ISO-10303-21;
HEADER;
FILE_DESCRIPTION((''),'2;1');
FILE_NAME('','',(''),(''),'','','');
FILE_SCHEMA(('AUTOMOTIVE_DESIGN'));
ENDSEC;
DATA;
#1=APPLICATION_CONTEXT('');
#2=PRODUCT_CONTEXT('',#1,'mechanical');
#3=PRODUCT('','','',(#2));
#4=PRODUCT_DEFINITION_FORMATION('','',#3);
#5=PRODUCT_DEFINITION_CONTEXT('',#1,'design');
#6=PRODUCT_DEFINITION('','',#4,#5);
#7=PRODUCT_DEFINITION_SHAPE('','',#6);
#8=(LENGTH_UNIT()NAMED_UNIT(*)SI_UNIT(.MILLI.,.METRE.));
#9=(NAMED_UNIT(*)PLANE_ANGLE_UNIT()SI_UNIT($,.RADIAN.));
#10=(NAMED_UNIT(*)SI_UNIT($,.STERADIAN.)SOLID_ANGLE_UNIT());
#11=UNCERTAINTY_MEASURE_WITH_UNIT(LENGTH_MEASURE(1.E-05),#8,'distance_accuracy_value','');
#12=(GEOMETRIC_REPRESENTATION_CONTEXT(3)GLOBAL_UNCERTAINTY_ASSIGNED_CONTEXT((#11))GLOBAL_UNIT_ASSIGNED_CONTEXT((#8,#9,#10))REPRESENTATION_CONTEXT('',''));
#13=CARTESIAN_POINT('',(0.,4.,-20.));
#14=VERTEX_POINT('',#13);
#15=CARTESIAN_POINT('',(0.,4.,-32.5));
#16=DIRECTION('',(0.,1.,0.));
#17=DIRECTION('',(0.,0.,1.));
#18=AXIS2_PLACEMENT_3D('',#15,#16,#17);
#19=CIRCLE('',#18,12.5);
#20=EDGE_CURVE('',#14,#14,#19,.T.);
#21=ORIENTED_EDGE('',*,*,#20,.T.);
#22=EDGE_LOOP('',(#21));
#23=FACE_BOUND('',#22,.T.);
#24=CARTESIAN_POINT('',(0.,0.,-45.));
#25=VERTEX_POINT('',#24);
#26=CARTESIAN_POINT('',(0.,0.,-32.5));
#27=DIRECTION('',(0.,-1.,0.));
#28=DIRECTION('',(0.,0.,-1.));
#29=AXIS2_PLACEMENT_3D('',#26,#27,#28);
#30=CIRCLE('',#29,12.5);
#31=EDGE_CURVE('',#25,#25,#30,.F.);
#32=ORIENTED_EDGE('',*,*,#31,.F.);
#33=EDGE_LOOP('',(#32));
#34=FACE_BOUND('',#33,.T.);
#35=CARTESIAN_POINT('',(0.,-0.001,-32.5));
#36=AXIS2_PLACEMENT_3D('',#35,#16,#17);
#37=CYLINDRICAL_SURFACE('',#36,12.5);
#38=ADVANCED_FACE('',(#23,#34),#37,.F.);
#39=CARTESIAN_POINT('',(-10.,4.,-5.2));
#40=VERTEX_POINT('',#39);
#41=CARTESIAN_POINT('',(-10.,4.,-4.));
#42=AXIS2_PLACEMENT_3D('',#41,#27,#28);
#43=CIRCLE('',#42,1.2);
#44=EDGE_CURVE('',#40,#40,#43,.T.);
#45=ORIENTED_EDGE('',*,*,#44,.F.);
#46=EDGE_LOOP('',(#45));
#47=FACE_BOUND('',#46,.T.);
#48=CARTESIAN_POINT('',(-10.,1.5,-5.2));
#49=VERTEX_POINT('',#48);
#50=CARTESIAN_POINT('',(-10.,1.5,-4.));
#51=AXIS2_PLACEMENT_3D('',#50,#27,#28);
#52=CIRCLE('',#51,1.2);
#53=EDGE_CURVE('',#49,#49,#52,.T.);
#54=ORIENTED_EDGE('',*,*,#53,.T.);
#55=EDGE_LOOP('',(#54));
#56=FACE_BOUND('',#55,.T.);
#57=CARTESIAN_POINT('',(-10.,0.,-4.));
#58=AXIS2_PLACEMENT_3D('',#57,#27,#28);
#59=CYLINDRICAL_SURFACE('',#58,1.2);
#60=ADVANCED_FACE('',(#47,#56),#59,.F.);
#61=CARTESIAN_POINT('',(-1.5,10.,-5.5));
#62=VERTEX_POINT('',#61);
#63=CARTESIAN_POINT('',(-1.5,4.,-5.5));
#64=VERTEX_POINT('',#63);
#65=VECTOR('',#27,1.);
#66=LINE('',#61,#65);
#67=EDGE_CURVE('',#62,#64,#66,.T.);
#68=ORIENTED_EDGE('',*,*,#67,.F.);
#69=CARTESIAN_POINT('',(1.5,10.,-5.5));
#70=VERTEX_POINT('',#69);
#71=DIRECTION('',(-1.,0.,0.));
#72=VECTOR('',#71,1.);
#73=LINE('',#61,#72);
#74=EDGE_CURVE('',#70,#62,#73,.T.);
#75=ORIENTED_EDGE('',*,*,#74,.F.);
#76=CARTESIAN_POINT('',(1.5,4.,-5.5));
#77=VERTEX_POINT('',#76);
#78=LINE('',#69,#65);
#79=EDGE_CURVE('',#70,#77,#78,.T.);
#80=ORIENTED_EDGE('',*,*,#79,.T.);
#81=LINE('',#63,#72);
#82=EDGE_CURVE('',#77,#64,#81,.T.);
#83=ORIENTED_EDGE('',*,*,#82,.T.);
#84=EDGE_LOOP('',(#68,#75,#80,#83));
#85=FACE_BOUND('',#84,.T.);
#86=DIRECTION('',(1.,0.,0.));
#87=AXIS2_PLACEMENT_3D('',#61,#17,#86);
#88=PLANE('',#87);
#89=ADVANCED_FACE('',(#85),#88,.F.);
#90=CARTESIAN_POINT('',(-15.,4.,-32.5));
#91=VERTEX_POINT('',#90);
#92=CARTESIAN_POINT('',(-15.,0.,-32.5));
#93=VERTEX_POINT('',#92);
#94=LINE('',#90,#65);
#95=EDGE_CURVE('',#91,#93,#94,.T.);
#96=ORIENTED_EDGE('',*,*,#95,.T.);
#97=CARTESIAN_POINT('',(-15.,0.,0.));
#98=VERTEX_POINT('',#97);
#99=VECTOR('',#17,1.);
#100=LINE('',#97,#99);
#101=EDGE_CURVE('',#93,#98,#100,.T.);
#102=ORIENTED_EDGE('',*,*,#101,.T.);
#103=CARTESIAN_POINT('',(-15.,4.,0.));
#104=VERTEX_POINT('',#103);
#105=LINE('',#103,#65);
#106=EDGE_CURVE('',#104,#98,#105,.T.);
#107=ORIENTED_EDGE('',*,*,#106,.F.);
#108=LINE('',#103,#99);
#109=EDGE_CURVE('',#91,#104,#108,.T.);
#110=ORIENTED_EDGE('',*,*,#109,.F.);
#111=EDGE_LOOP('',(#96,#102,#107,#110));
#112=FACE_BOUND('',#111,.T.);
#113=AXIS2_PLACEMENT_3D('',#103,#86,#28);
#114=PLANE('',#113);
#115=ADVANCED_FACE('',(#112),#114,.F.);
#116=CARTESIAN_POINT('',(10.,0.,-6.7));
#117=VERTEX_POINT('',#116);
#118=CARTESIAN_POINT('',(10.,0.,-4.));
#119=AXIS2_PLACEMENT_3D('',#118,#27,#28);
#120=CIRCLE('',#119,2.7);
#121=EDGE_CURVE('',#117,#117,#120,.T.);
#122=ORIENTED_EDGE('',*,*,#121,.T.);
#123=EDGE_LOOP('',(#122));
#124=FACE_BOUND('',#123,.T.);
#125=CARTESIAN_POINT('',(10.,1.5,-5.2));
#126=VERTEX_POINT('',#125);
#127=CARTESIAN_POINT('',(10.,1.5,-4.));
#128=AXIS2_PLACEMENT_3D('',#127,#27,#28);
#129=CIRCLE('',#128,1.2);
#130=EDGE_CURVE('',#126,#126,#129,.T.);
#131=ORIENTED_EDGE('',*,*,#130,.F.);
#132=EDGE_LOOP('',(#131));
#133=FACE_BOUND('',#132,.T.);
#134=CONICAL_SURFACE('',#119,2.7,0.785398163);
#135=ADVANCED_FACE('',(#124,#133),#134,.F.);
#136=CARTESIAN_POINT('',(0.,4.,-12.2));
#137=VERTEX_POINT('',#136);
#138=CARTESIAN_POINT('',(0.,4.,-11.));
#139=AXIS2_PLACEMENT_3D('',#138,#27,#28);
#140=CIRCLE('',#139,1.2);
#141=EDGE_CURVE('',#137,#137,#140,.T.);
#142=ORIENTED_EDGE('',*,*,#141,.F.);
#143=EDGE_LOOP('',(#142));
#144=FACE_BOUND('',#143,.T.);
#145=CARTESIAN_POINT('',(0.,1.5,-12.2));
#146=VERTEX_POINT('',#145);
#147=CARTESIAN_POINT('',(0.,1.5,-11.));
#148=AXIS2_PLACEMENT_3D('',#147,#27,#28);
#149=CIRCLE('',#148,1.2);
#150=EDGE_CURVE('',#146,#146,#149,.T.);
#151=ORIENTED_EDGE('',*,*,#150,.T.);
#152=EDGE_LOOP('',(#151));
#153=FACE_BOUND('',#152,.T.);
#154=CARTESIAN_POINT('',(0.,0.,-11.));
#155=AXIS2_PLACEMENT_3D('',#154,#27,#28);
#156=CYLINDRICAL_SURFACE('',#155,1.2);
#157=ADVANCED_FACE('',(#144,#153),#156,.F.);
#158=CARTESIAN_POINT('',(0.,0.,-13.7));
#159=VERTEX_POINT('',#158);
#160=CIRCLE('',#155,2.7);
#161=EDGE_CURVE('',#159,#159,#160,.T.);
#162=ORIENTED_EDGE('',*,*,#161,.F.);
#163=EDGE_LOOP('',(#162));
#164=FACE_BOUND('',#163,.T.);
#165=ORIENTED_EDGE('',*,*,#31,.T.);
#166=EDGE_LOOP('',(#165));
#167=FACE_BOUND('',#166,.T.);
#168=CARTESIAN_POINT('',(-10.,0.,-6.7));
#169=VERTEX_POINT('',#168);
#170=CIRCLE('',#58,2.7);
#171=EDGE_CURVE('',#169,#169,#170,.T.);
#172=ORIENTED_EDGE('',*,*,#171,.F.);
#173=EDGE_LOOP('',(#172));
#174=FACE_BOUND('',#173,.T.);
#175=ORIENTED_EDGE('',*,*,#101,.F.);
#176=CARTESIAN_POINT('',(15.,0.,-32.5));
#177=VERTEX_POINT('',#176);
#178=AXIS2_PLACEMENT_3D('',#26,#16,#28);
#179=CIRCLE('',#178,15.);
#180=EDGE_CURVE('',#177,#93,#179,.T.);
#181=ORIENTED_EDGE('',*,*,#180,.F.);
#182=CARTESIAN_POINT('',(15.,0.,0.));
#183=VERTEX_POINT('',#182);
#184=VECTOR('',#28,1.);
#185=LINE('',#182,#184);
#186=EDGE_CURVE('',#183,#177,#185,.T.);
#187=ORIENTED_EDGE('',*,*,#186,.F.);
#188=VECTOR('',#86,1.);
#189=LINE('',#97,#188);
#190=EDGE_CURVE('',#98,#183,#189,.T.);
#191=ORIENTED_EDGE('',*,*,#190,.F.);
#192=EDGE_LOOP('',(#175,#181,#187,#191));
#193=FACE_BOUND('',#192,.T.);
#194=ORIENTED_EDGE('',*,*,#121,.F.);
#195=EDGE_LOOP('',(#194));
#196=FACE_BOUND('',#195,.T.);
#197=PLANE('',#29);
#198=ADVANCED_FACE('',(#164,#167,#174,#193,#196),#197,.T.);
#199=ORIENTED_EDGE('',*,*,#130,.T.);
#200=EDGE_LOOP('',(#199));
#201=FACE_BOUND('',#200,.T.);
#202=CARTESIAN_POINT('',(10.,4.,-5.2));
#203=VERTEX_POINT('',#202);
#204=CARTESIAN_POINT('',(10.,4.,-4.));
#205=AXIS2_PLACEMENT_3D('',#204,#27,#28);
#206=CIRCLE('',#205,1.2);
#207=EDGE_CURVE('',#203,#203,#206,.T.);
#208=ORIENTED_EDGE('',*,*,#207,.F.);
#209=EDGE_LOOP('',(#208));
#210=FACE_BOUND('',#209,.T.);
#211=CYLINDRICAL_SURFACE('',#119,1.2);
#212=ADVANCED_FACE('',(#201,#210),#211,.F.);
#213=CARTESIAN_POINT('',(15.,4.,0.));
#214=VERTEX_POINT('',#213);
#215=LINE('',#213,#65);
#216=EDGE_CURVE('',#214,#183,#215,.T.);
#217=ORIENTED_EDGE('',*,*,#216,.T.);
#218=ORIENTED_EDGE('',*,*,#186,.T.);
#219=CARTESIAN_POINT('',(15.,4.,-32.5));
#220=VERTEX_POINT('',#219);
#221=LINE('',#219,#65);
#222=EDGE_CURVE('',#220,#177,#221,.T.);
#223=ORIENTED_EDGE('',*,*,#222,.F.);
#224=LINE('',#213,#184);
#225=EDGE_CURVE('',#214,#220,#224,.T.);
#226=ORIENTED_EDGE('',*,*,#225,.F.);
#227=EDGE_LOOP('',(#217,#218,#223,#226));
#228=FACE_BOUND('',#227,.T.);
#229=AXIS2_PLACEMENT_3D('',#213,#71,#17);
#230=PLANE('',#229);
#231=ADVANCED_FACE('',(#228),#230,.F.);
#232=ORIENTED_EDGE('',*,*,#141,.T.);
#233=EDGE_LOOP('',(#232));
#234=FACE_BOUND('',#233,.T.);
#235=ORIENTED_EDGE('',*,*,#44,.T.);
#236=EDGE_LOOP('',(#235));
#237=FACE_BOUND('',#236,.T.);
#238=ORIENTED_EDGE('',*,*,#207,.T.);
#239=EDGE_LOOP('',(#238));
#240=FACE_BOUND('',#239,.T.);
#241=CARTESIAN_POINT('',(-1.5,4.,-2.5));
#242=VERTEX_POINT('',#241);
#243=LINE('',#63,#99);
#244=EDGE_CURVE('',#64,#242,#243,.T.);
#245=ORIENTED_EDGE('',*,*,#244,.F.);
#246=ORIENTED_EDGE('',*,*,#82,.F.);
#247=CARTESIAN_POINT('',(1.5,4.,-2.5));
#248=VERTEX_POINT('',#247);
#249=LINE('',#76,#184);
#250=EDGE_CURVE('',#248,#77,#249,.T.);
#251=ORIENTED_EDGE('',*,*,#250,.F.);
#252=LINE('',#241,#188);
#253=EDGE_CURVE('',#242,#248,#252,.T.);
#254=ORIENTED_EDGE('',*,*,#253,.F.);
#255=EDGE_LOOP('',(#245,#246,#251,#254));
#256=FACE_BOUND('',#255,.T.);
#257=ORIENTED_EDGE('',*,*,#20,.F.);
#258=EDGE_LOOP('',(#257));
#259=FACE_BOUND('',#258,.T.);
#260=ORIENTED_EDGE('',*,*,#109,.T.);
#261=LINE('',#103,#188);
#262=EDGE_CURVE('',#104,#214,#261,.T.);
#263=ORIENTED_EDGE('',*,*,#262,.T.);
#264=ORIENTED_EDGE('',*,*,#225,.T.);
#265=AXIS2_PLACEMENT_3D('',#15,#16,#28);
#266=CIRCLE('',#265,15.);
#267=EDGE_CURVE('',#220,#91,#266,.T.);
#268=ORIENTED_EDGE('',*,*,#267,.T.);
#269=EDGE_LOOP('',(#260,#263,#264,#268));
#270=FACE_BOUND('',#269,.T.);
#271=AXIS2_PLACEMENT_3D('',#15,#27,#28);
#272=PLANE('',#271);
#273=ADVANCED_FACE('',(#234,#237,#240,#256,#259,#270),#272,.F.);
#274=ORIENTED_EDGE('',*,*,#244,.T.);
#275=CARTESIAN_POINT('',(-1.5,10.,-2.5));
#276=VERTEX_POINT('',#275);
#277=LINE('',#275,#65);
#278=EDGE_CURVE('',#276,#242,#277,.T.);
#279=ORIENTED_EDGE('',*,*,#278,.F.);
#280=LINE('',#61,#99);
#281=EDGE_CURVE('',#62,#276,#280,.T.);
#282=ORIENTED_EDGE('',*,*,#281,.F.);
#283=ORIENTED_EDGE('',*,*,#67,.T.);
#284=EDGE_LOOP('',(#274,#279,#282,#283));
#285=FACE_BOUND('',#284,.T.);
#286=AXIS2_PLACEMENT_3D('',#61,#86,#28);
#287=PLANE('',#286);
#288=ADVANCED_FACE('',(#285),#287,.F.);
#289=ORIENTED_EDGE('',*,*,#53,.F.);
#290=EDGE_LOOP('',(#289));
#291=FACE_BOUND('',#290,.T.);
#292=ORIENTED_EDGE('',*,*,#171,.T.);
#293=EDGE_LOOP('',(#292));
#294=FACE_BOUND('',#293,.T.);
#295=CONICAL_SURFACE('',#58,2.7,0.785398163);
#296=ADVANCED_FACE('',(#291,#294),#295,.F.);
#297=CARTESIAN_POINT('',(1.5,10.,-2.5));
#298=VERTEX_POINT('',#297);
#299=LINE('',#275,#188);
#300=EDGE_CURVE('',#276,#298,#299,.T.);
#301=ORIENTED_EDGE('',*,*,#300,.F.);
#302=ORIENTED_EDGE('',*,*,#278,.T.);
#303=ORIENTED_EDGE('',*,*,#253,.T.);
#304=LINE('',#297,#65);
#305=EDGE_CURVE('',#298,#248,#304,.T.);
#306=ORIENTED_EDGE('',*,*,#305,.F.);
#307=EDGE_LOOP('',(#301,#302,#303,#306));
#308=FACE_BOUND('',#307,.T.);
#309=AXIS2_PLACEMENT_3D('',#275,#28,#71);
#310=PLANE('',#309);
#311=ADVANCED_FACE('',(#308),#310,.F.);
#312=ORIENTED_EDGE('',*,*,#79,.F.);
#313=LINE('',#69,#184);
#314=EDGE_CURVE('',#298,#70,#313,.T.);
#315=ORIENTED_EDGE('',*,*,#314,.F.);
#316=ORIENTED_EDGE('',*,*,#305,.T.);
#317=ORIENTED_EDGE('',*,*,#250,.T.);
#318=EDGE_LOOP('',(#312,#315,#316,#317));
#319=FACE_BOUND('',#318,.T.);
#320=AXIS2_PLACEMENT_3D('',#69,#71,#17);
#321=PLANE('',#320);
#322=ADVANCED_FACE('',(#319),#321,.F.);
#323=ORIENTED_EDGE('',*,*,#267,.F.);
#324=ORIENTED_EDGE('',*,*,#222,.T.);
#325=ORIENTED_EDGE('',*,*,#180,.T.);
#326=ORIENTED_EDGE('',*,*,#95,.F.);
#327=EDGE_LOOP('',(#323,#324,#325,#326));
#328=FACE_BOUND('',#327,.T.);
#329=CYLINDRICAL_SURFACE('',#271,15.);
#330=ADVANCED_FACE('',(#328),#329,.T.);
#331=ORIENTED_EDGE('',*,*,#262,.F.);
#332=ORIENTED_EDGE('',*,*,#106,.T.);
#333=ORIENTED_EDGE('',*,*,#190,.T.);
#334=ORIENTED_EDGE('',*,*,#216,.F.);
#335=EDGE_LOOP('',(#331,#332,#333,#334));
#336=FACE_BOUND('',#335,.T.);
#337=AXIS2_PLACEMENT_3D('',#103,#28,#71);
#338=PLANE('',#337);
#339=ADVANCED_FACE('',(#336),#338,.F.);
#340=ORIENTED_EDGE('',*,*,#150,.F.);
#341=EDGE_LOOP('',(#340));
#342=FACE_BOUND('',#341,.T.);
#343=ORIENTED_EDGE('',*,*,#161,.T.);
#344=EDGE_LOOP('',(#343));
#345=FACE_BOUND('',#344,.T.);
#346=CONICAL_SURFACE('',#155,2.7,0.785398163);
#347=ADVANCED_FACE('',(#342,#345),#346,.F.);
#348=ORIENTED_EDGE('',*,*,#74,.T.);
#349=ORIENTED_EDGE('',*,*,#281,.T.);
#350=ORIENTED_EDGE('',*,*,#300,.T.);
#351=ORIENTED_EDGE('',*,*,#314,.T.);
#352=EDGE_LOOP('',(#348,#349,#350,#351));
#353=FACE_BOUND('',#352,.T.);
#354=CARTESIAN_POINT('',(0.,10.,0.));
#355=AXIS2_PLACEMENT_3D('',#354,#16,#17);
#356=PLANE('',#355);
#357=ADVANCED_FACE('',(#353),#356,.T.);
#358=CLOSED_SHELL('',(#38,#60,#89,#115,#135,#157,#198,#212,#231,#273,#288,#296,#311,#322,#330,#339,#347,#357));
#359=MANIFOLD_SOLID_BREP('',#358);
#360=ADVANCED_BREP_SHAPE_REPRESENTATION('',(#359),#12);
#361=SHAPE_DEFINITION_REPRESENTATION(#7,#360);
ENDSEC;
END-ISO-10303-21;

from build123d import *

# Parameters (mm, degrees)
BOSS_EXTRUDE1_DEPTH                                 = 4
CUT_EXTRUDE1_REACH                                  = 51.972
SKETCH2_R                                           = 12.5
SKETCH3_W                                           = 3
SKETCH3_H                                           = 3
BOSS_EXTRUDE2_DEPTH                                 = 6
CSK_FOR_M2_COUNTERSUNK_FLAT_HEAD_SCREW1_D           = 2.4
CSK_FOR_M2_COUNTERSUNK_FLAT_HEAD_SCREW1_DEPTH       = 5.2
CSK_FOR_M2_COUNTERSUNK_FLAT_HEAD_SCREW1_CSINK_D     = 5.4
CSK_FOR_M2_COUNTERSUNK_FLAT_HEAD_SCREW1_CSINK_ANGLE = 90
CSK_FOR_M2_COUNTERSUNK_FLAT_HEAD_SCREW1_TIP         = 0.721032743


with BuildPart() as part:
    # Sketch1 → Boss-Extrude1 (new body)
    with BuildSketch(Plane(origin=(0, 0, 0), x_dir=(1, 0, 0), z_dir=(0, 1, 0))):
        with BuildLine():
            Line((-15, 0), (15, 0))
            Line((15, 0), (15, 32.5))
            ThreePointArc((15, 32.5), (0, 47.5), (-15, 32.5))
            Line((-15, 32.5), (-15, 0))
        make_face()
    extrude(amount=BOSS_EXTRUDE1_DEPTH)

    # Sketch2 → Cut-Extrude1 (cut, up to next)
    with BuildSketch(Plane(origin=(0, 4, 0), x_dir=(1, 0, 0), z_dir=(0, 1, 0)), mode=Mode.PRIVATE) as cut_extrude1_sk1:
        with Locations(Location((0, 32.5, 0), (0, 0, 270))):
            Circle(SKETCH2_R)
    cut_extrude1_tool1 = extrude(cut_extrude1_sk1.sketch, amount=-CUT_EXTRUDE1_REACH, mode=Mode.PRIVATE) & part.part
    add(cut_extrude1_tool1.solids().sort_by_distance((0, 4, -32.5))[0], mode=Mode.SUBTRACT)

    # Sketch3 → Boss-Extrude2 (add)
    with BuildSketch(Plane(origin=(0, 4, 0), x_dir=(1, 0, 0), z_dir=(0, 1, 0))):
        with Locations((0, 4)):
            Rectangle(SKETCH3_W, SKETCH3_H)
    extrude(amount=BOSS_EXTRUDE2_DEPTH)

    # CSK for M2 Countersunk Flat Head Screw1
    with Locations(Plane(origin=(0, 0, 0), x_dir=(-1, 0, 0), z_dir=(0, -1, 0))):
        with Locations((-10, 4), (10, 4), (0, 11)):
            CounterSinkHole(CSK_FOR_M2_COUNTERSUNK_FLAT_HEAD_SCREW1_D / 2, CSK_FOR_M2_COUNTERSUNK_FLAT_HEAD_SCREW1_CSINK_D / 2, depth=CSK_FOR_M2_COUNTERSUNK_FLAT_HEAD_SCREW1_DEPTH, counter_sink_angle=CSK_FOR_M2_COUNTERSUNK_FLAT_HEAD_SCREW1_CSINK_ANGLE)
            with Locations((0, 0, -(CSK_FOR_M2_COUNTERSUNK_FLAT_HEAD_SCREW1_DEPTH + CSK_FOR_M2_COUNTERSUNK_FLAT_HEAD_SCREW1_TIP / 2))):  # 118° drill point
                Cone(0, CSK_FOR_M2_COUNTERSUNK_FLAT_HEAD_SCREW1_D / 2, CSK_FOR_M2_COUNTERSUNK_FLAT_HEAD_SCREW1_TIP, mode=Mode.SUBTRACT)


solid = part.part
